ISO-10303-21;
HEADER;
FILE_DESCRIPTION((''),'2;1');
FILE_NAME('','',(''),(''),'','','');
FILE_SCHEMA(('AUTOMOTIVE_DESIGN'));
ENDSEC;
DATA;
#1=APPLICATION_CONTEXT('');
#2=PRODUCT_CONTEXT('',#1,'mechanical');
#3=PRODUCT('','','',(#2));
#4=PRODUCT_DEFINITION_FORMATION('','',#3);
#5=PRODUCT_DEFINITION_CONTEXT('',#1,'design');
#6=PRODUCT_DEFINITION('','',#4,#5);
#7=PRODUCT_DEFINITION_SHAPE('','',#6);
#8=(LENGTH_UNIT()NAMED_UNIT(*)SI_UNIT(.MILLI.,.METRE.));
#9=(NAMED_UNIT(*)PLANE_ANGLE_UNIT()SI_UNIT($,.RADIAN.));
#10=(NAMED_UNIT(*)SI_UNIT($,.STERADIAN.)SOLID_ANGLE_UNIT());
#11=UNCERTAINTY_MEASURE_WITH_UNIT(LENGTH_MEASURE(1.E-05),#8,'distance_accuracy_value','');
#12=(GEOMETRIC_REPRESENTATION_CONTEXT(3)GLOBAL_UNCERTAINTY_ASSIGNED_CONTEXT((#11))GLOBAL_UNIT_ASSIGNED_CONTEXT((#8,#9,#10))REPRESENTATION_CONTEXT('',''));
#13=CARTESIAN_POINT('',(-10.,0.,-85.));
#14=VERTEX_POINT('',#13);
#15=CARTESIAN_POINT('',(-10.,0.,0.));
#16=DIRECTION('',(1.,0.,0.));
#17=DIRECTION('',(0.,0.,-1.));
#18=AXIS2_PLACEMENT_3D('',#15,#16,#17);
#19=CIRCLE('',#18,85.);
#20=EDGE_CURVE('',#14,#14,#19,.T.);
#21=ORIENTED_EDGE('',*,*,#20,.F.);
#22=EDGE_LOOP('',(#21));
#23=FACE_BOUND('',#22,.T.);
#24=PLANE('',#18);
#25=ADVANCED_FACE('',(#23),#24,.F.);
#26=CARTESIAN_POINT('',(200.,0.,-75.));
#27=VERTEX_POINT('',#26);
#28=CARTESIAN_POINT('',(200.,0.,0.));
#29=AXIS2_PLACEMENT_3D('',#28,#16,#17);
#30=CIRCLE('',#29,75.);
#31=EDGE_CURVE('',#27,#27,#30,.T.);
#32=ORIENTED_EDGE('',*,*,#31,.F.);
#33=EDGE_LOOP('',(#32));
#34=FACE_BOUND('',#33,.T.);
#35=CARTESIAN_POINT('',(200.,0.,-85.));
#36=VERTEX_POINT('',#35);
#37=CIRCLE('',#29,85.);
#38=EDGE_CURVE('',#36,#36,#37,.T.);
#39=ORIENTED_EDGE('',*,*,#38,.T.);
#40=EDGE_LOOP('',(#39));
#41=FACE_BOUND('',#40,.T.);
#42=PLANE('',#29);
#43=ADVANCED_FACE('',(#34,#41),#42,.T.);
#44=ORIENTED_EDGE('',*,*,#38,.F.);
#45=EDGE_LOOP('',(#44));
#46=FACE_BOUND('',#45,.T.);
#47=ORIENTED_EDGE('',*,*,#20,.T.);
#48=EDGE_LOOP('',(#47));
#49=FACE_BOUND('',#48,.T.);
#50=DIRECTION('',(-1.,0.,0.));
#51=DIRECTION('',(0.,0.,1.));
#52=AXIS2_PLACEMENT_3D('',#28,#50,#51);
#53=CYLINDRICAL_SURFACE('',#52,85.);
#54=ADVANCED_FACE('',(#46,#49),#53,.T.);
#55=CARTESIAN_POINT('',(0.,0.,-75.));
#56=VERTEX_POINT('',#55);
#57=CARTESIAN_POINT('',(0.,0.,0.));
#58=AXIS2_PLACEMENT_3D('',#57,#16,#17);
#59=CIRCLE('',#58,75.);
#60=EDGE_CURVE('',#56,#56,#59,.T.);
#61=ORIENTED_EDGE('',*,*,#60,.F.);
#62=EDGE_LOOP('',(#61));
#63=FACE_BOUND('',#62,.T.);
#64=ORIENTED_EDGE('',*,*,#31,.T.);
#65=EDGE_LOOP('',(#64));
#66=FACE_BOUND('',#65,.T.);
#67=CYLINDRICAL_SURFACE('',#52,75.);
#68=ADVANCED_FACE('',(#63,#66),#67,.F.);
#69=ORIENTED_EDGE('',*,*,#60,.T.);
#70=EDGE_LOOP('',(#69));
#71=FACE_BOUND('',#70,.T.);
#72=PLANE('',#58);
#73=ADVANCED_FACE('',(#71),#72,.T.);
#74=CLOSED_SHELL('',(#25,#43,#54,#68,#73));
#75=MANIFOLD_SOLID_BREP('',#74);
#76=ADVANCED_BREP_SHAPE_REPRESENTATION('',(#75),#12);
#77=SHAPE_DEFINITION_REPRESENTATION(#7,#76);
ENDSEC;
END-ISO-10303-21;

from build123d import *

# Parameters (mm, degrees)
SKETCH1_R           = 75
BOSS_EXTRUDE1_DEPTH = 200
SHELL1_T            = 10


with BuildPart() as part:
    # Sketch1 → Boss-Extrude1 (new body)
    with BuildSketch(Plane(origin=(0, 0, 0), x_dir=(0, 0, -1), z_dir=(1, 0, 0))):
        Circle(SKETCH1_R)
    extrude(amount=BOSS_EXTRUDE1_DEPTH)

    # Shell1
    shell1_openings = [part.faces().sort_by_distance(p)[0] for p in [
        (200, 0, 0),
    ]]
    offset(amount=SHELL1_T, openings=shell1_openings, kind=Kind.INTERSECTION)


solid = part.part
